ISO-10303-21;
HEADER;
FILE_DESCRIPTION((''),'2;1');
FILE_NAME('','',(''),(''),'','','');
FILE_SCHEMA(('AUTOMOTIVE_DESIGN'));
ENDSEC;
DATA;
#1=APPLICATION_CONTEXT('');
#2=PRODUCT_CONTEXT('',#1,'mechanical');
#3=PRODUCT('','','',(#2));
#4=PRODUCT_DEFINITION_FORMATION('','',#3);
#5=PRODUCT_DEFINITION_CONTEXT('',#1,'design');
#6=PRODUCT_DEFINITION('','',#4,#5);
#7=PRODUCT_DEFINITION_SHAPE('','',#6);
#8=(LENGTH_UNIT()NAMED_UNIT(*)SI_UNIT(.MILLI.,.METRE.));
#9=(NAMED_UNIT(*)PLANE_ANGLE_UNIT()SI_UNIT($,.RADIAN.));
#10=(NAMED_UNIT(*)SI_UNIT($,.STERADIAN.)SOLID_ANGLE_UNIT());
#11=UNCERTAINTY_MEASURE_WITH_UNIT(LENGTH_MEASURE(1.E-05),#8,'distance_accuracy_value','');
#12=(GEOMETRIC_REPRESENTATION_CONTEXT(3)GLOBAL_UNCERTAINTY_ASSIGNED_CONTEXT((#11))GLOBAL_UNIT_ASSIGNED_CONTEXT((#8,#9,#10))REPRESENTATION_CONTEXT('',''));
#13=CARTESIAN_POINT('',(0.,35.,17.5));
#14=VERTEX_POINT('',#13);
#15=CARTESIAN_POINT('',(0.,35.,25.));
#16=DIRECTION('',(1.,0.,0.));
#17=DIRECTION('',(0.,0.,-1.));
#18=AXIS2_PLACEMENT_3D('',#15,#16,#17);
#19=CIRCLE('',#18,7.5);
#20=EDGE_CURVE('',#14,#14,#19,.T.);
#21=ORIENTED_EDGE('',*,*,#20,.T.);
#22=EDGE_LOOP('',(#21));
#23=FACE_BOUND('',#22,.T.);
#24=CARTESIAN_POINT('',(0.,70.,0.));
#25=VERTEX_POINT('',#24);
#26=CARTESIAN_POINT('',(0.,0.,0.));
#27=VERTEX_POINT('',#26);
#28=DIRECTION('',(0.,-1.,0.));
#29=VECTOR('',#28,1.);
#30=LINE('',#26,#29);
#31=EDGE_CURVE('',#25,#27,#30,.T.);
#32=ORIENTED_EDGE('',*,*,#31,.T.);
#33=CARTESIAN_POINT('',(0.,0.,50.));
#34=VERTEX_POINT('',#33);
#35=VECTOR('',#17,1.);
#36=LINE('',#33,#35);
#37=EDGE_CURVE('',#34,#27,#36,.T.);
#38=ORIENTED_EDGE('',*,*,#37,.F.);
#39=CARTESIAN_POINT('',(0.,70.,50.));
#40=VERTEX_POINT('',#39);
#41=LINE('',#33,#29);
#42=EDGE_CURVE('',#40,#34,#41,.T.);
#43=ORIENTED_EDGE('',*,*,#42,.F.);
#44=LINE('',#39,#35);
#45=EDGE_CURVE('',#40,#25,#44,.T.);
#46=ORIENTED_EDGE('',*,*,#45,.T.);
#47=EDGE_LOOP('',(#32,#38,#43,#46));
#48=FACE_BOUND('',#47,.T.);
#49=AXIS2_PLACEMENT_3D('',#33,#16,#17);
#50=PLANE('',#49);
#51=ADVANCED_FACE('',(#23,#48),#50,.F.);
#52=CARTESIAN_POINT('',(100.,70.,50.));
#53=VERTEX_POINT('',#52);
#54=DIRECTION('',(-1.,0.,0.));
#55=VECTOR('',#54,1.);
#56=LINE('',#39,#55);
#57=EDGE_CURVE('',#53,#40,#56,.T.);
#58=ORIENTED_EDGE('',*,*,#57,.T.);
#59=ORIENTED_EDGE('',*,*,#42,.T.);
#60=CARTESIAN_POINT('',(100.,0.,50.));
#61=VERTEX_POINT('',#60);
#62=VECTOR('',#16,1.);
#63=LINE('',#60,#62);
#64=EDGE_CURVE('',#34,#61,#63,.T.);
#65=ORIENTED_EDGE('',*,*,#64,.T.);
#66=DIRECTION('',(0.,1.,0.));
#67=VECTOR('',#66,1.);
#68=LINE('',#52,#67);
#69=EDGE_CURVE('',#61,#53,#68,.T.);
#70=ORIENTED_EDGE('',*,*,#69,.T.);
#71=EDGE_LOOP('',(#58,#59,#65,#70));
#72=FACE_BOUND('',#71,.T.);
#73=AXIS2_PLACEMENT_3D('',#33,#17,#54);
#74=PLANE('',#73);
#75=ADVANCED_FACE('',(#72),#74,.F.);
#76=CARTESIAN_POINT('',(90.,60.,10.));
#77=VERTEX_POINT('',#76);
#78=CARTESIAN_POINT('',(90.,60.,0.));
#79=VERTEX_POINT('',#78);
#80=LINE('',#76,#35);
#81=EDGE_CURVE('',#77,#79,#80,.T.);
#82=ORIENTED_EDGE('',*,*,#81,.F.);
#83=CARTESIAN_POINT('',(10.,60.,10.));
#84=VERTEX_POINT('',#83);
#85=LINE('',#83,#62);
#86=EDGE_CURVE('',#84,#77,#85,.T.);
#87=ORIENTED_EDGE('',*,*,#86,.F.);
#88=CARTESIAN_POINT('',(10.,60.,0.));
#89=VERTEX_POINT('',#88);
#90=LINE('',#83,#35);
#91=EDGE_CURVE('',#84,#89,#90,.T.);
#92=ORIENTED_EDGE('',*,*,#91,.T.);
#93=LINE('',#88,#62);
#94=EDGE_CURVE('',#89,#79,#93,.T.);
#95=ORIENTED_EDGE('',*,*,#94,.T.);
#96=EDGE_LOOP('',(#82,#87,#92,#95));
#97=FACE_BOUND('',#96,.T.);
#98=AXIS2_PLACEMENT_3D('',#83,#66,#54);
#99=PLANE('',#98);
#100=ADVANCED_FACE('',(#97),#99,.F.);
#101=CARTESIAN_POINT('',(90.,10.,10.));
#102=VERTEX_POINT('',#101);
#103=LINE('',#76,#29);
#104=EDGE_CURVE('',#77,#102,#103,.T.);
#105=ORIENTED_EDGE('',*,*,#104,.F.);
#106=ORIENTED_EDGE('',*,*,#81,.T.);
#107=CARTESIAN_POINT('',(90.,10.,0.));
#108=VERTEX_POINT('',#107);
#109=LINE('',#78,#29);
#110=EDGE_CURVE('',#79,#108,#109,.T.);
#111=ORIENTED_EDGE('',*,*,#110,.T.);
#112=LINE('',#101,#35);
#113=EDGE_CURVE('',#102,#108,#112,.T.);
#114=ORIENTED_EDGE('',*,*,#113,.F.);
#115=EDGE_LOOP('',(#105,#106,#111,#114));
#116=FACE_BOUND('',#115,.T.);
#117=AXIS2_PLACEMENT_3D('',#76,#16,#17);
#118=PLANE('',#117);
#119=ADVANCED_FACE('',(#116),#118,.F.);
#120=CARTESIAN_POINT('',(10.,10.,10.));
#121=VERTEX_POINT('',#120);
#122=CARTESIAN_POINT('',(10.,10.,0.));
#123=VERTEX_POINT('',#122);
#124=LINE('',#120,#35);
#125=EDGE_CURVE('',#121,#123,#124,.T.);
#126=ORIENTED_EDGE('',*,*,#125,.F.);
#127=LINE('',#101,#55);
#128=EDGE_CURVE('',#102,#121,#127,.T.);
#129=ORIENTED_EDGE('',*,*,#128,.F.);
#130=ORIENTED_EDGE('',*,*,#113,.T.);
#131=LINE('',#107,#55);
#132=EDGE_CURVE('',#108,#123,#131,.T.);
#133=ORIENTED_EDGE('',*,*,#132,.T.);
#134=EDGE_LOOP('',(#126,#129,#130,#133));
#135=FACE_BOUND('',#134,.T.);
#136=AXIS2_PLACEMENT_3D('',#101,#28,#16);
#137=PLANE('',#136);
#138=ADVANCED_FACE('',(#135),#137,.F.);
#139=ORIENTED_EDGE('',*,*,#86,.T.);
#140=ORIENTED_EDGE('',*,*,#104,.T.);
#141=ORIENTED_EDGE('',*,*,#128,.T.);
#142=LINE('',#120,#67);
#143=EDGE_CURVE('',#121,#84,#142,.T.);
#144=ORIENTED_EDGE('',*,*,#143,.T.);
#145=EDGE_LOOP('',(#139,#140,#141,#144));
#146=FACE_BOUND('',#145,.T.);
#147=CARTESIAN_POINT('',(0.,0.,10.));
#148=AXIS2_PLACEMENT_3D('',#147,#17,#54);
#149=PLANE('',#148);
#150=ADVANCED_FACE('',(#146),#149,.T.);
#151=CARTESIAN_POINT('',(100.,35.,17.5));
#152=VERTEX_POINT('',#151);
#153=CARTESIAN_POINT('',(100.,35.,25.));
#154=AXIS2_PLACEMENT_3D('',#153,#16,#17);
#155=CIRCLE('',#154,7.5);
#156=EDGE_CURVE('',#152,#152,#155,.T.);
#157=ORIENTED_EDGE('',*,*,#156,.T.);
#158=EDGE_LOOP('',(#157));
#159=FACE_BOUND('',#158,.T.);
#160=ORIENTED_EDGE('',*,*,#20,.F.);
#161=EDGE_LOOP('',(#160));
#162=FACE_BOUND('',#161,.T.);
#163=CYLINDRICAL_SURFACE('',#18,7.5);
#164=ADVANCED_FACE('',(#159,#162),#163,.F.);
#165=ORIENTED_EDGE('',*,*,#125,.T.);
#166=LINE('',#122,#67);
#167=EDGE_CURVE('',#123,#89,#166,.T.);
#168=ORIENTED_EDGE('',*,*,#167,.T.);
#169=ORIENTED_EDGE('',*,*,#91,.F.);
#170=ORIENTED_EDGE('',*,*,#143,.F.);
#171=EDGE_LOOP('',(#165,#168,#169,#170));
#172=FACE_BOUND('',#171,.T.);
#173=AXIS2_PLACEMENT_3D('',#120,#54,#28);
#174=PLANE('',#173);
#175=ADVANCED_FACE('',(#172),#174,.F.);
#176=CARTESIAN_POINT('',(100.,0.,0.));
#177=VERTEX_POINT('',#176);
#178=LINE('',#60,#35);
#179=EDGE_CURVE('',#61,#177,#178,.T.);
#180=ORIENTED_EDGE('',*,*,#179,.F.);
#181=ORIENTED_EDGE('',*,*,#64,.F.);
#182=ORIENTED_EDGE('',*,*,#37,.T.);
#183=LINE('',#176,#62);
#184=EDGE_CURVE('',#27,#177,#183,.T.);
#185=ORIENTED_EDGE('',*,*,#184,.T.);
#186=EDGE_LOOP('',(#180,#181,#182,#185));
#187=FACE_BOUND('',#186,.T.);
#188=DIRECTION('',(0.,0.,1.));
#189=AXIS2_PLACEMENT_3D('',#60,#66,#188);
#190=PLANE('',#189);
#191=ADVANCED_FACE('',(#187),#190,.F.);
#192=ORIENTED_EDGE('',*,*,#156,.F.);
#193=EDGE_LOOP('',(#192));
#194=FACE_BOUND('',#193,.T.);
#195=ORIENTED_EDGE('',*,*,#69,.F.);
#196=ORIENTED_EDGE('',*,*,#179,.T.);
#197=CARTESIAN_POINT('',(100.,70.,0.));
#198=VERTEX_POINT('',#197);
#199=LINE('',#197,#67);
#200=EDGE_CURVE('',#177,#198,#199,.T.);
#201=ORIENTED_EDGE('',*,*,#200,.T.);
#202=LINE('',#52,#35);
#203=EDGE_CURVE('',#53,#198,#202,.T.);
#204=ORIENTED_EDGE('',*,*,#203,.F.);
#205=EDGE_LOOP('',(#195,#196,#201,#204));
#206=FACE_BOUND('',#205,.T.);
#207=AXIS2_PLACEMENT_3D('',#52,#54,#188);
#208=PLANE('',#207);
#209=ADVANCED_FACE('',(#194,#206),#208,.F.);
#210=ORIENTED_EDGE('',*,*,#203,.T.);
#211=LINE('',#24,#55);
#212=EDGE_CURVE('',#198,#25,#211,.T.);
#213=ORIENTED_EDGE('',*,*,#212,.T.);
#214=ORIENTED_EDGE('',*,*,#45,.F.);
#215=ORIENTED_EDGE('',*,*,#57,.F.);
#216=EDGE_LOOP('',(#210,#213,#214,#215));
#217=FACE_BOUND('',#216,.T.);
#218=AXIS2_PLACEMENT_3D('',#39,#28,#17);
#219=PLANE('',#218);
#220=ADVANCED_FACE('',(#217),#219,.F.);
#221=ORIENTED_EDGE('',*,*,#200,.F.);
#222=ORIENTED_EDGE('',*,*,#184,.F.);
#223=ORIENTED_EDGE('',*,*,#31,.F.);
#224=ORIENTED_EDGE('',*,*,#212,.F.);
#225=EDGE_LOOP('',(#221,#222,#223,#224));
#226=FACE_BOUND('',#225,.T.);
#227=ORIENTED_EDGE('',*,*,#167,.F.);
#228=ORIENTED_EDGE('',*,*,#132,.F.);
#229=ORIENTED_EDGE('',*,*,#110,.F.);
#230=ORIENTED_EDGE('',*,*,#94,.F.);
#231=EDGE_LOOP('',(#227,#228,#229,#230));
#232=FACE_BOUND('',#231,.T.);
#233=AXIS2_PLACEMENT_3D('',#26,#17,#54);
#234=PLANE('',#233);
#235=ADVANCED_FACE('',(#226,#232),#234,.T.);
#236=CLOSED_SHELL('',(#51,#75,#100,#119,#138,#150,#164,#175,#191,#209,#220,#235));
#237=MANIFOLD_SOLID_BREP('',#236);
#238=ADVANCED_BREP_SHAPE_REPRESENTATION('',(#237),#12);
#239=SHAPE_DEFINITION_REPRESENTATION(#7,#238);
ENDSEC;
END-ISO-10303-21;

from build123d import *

# Parameters (mm, degrees)
SKETCH1_W           = 100
SKETCH1_H           = 70
BOSS_EXTRUDE1_DEPTH = 50
SKETCH2_R           = 7.5
CUT_EXTRUDE1_DEPTH  = 100
SKETCH3_W           = 80
SKETCH3_H           = 50
CUT_EXTRUDE2_DEPTH  = 10


with BuildPart() as part:
    # Sketch1 → Boss-Extrude1 (new body)
    with BuildSketch(Plane.XY):
        with Locations((50, 35)):
            Rectangle(SKETCH1_W, SKETCH1_H)
    extrude(amount=BOSS_EXTRUDE1_DEPTH)

    # Sketch2 → Cut-Extrude1 (cut)
    with BuildSketch(Plane(origin=(100, 0, 0), x_dir=(0, 0, -1), z_dir=(1, 0, 0))):
        with Locations((-25, 35)):
            Circle(SKETCH2_R)
    extrude(amount=-CUT_EXTRUDE1_DEPTH, mode=Mode.SUBTRACT)

    # Sketch3 → Cut-Extrude2 (cut)
    with BuildSketch(Plane(origin=(0, 0, 0), x_dir=(-1, 0, 0), z_dir=(0, 0, -1))):
        with Locations((-50, 35)):
            Rectangle(SKETCH3_W, SKETCH3_H)
    extrude(amount=-CUT_EXTRUDE2_DEPTH, mode=Mode.SUBTRACT)


solid = part.part
